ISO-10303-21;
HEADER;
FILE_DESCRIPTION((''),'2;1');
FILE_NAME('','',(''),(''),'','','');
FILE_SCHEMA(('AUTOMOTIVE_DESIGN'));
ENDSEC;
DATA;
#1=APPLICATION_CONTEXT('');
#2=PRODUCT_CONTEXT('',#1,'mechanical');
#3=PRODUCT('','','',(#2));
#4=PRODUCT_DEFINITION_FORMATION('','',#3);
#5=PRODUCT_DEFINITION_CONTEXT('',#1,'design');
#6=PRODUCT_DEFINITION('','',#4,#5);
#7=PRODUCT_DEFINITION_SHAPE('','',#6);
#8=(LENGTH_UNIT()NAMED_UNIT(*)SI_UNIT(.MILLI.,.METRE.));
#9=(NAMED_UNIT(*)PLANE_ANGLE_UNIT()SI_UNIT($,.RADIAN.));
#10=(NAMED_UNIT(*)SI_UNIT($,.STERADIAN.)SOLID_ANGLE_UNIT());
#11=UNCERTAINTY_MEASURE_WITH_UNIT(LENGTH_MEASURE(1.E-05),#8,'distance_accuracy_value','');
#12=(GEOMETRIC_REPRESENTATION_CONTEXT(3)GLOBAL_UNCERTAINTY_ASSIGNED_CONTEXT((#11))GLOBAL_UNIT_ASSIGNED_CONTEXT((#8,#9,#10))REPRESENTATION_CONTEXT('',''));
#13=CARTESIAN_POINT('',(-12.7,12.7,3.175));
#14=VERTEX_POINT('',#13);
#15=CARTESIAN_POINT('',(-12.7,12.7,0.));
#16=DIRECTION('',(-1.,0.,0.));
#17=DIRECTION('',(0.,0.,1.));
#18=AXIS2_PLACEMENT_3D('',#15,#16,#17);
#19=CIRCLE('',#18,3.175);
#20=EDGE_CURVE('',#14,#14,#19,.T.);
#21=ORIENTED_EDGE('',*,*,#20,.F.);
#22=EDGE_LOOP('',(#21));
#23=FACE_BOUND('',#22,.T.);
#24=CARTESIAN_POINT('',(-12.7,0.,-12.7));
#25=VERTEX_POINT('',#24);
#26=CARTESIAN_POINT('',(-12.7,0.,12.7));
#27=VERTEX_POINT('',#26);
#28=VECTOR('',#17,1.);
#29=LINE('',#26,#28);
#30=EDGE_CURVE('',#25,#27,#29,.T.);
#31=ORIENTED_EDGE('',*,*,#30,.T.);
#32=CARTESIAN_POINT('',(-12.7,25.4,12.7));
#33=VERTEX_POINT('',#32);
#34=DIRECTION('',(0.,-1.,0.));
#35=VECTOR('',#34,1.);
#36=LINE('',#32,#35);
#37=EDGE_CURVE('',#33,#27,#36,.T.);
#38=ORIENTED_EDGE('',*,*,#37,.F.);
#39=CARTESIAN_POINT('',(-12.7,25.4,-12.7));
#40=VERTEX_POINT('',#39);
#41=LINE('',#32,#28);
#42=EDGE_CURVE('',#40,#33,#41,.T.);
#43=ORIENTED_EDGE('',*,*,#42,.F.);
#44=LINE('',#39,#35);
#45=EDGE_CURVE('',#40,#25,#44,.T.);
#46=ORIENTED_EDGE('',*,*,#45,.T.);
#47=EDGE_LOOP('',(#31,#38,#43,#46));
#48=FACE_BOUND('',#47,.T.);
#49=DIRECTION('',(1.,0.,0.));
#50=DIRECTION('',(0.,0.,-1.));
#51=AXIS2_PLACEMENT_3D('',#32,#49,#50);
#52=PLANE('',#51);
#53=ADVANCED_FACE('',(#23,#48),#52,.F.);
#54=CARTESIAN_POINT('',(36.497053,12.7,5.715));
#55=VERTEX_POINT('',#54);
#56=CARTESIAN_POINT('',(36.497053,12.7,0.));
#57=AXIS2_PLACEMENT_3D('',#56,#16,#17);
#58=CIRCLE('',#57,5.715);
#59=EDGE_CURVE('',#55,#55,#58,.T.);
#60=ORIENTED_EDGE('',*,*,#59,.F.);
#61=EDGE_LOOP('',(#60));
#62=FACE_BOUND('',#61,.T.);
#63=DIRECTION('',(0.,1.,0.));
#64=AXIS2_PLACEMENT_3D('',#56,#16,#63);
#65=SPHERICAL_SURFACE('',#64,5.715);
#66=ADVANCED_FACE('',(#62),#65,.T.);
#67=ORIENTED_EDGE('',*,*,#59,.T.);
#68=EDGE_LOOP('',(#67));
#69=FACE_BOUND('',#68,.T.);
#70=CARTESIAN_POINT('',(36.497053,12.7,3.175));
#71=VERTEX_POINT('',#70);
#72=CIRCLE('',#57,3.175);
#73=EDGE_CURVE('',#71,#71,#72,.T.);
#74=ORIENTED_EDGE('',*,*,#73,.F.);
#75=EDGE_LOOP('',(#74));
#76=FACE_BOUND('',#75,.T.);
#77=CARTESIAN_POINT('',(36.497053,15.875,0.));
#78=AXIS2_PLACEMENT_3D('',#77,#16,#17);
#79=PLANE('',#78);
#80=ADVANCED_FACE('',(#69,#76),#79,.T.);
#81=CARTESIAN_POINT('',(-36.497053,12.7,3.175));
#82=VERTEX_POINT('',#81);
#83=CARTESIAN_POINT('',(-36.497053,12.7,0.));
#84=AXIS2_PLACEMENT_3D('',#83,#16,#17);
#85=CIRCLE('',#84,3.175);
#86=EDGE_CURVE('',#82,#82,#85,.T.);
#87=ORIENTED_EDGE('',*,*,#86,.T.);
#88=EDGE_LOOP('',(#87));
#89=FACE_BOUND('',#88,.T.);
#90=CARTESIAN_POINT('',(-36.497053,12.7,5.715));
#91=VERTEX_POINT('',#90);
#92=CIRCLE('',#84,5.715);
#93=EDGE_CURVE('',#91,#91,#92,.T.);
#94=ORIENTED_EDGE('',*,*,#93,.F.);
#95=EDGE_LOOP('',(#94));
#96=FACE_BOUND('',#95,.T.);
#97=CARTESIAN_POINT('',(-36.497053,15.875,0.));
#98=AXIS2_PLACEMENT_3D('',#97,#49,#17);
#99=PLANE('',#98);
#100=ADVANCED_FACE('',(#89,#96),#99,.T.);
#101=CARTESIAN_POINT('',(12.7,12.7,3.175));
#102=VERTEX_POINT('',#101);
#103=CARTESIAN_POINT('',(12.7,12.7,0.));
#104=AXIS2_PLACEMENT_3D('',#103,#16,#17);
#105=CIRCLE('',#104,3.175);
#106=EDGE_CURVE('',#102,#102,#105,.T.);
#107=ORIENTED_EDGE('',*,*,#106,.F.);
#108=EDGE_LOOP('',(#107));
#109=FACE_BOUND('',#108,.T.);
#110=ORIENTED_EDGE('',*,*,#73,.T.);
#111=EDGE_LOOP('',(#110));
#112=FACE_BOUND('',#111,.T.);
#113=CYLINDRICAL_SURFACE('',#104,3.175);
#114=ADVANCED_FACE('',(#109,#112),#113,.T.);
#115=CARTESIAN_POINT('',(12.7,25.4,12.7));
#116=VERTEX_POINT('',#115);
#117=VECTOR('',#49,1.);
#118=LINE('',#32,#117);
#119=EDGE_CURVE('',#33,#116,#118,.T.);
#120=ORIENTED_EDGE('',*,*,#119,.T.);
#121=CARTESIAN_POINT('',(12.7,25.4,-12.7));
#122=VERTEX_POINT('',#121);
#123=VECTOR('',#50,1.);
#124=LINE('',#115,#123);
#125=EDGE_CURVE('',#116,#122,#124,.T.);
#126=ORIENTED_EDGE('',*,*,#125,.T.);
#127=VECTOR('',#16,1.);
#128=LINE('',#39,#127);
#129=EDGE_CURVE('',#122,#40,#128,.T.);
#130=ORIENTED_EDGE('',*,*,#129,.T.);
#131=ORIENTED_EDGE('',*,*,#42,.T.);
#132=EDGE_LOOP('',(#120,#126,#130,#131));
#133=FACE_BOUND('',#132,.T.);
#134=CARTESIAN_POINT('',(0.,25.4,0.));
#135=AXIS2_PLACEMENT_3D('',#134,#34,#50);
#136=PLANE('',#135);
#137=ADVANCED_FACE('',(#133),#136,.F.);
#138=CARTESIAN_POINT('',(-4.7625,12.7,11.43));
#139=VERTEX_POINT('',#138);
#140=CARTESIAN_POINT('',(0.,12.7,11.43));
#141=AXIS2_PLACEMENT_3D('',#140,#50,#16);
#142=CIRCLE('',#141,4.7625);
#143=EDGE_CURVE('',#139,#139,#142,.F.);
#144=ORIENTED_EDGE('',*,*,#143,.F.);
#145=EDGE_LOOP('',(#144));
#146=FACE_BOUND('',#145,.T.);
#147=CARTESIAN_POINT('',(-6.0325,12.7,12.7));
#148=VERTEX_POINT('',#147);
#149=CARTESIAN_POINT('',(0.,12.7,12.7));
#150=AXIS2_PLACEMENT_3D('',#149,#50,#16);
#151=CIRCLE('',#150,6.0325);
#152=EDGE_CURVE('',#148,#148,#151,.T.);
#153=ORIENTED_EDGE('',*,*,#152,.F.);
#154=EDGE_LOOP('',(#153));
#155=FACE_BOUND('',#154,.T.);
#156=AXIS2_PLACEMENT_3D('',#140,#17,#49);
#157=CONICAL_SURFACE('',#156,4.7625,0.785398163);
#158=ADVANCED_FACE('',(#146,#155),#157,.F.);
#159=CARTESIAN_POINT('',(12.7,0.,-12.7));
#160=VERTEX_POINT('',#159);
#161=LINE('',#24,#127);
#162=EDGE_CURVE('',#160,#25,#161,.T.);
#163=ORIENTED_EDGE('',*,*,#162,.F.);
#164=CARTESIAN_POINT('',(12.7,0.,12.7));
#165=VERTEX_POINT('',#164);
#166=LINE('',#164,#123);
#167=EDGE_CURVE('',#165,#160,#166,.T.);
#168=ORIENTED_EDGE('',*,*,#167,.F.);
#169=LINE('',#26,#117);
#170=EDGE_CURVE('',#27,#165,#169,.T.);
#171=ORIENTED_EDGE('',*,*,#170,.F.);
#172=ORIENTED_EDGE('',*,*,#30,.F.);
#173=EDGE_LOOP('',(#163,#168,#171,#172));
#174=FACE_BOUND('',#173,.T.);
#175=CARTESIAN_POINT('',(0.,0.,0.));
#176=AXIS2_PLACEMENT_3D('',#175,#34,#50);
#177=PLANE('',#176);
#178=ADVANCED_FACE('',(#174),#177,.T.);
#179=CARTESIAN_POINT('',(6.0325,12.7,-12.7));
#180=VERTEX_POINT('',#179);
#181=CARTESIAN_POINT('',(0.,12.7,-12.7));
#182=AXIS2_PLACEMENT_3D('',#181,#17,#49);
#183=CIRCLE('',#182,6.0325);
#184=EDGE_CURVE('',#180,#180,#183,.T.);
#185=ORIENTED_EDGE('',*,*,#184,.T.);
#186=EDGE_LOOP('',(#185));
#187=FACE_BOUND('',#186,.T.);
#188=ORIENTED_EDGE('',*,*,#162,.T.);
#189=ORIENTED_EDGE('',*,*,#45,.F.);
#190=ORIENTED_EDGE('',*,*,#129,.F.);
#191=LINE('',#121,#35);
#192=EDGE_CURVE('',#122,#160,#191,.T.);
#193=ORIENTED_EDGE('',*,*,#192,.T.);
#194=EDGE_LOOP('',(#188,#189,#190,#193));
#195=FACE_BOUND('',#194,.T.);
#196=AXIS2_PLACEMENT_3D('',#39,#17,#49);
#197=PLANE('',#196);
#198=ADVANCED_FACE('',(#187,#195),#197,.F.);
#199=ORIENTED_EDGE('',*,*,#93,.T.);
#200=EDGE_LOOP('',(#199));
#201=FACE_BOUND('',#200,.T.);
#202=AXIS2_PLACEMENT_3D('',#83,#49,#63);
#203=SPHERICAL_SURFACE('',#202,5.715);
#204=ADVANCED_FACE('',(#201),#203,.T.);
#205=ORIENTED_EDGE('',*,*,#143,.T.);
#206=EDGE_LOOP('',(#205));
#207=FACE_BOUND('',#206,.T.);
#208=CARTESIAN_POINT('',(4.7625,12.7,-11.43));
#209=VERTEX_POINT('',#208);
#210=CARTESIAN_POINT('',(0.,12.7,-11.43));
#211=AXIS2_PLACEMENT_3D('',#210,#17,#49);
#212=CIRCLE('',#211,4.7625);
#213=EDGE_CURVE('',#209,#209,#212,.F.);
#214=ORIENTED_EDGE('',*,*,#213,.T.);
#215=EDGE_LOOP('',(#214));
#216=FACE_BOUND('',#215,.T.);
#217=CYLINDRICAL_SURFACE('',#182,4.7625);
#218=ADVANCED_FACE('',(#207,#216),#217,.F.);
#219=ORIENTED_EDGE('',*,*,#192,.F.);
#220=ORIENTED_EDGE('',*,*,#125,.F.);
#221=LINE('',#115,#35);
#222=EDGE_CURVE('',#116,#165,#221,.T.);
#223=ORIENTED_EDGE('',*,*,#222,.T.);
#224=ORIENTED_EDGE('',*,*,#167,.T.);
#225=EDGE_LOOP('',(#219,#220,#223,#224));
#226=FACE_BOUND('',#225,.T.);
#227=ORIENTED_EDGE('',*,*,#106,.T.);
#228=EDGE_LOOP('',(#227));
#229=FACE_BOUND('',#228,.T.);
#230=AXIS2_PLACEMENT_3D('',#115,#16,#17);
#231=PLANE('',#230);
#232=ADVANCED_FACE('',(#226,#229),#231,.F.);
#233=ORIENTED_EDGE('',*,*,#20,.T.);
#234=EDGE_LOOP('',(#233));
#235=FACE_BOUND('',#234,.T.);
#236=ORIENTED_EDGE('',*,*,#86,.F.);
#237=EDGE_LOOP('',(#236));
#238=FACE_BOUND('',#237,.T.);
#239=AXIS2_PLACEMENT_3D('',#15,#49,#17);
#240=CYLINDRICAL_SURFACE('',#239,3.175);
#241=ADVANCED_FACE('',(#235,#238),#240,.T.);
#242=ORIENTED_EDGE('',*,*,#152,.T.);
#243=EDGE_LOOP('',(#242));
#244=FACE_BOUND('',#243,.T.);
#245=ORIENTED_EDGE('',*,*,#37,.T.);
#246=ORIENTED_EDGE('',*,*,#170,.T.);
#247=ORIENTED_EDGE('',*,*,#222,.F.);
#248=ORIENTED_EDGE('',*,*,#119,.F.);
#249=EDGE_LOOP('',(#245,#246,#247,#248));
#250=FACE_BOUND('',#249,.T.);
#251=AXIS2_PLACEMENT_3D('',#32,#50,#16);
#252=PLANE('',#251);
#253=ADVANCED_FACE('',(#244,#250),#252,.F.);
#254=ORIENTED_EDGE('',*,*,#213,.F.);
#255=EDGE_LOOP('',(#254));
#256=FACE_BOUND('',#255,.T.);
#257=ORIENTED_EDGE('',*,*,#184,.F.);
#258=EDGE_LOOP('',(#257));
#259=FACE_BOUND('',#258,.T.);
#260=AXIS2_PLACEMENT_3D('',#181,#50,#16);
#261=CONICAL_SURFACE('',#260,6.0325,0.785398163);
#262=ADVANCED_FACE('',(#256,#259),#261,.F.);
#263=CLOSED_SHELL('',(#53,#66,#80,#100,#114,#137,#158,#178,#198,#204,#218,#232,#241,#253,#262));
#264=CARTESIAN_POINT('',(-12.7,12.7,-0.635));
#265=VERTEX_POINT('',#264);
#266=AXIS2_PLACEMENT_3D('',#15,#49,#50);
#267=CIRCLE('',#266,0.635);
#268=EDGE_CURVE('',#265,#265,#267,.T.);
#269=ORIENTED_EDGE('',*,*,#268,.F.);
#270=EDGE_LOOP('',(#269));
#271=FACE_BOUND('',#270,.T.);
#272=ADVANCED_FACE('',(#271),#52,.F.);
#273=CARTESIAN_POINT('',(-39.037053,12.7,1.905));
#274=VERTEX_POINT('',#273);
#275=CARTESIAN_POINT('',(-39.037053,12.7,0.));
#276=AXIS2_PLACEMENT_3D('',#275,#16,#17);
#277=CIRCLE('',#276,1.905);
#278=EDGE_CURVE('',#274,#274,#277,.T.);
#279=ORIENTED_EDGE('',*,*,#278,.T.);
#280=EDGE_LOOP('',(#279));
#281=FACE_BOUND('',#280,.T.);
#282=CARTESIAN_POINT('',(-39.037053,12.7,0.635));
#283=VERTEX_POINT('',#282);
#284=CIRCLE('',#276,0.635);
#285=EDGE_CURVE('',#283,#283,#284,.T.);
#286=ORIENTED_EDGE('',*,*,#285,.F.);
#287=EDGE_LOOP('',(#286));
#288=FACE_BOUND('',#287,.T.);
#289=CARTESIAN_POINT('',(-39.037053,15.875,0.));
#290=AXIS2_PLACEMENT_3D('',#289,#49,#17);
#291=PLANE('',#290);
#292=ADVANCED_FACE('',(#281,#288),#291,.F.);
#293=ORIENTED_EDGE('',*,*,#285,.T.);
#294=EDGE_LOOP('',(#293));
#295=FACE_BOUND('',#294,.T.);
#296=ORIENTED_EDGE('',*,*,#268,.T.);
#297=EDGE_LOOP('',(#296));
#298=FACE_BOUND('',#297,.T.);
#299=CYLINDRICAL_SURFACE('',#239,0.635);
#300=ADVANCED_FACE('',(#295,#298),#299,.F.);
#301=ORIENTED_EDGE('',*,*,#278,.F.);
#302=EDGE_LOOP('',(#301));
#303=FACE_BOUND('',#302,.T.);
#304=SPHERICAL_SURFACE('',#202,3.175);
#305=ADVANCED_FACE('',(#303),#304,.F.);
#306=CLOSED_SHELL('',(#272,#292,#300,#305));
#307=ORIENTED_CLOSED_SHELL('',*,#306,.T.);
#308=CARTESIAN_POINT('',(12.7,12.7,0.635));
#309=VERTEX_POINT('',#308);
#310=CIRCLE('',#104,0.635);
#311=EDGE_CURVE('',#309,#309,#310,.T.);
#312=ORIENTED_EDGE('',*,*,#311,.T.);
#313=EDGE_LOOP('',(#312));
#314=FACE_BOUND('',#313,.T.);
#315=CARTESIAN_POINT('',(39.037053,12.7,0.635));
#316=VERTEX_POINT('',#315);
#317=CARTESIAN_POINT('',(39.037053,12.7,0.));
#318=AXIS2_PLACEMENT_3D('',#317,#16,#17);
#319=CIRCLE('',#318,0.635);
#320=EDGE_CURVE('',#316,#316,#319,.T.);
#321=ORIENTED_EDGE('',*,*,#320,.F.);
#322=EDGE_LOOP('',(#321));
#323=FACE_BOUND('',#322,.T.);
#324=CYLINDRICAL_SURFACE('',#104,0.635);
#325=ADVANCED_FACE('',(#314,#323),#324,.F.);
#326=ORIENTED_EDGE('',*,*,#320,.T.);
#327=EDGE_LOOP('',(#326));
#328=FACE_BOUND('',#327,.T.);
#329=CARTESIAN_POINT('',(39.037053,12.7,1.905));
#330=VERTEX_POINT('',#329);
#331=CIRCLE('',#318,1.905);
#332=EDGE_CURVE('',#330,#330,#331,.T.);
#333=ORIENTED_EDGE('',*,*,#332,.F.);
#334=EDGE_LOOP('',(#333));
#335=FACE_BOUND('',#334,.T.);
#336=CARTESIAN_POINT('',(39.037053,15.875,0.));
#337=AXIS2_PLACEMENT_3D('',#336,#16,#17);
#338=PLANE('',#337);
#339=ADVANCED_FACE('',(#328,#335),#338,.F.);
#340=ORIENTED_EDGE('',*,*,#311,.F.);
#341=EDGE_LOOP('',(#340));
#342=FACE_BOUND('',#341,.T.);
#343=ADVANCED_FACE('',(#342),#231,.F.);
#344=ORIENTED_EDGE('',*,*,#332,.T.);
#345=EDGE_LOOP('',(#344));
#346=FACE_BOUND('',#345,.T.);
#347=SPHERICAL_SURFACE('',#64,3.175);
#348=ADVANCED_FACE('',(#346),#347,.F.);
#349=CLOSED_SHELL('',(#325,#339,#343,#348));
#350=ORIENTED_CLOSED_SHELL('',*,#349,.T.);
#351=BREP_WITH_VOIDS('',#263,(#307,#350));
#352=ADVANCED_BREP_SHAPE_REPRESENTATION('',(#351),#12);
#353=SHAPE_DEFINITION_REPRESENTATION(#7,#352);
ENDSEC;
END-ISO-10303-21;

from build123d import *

# Parameters (mm, degrees)
SKETCH1_W           = 25.4
SKETCH1_H           = 25.4
BOSS_EXTRUDE1_DEPTH = 25.4
SKETCH2_R           = 4.7625
CUT_EXTRUDE1_DEPTH  = 25.4
CHAMFER1_SIZE       = 1.27
CHAMFER2_SIZE       = 1.27


with BuildPart() as part:
    # Sketch1 → Boss-Extrude1 (new body)
    with BuildSketch(Plane(origin=(0, 0, 0), x_dir=(1, 0, 0), z_dir=(0, 1, 0))):
        Rectangle(SKETCH1_W, SKETCH1_H)
    extrude(amount=BOSS_EXTRUDE1_DEPTH)

    # Sketch2 → Cut-Extrude1 (cut)
    with BuildSketch(Plane.XY.offset(12.7)):
        with Locations((0, 12.7)):
            Circle(SKETCH2_R)
    extrude(amount=-CUT_EXTRUDE1_DEPTH, mode=Mode.SUBTRACT)

    # Chamfer1
    chamfer1_edges = [part.edges().sort_by_distance(p)[0] for p in [
        (-4.7625, 12.7, 12.7),
    ]]
    chamfer(chamfer1_edges, length=CHAMFER1_SIZE)

    # Chamfer2
    chamfer2_edges = [part.edges().sort_by_distance(p)[0] for p in [
        (-4.7625, 12.7, -12.7),
    ]]
    chamfer(chamfer2_edges, length=CHAMFER2_SIZE)

    # Sketch5 → Revolve-Thin4 (revolve)
    with BuildSketch(Plane.XY):
        with BuildLine():
            Line((12.7, 15.875), (36.497053043, 15.875))
            Line((36.497053043, 15.875), (36.497053043, 18.415))
            ThreePointArc((36.497053043, 18.415), (40.538168298, 16.741115254), (42.212053043, 12.7))
            Line((42.212053043, 12.7), (39.672053043, 12.7))
            ThreePointArc((39.672053043, 12.7), (39.509122515, 13.704023157), (39.037053043, 14.605))
            Line((39.037053043, 14.605), (39.037053043, 13.335))
            Line((39.037053043, 13.335), (12.7, 13.335))
            Line((12.7, 13.335), (12.7, 15.875))
        make_face()
    revolve_thin4 = revolve(axis=Axis((12.7, 12.7, 0), (1, 0, 0)))

    # Mirror1: Revolve-Thin4 across plane
    add(revolve_thin4.mirror(Plane.ZY))


solid = part.part
